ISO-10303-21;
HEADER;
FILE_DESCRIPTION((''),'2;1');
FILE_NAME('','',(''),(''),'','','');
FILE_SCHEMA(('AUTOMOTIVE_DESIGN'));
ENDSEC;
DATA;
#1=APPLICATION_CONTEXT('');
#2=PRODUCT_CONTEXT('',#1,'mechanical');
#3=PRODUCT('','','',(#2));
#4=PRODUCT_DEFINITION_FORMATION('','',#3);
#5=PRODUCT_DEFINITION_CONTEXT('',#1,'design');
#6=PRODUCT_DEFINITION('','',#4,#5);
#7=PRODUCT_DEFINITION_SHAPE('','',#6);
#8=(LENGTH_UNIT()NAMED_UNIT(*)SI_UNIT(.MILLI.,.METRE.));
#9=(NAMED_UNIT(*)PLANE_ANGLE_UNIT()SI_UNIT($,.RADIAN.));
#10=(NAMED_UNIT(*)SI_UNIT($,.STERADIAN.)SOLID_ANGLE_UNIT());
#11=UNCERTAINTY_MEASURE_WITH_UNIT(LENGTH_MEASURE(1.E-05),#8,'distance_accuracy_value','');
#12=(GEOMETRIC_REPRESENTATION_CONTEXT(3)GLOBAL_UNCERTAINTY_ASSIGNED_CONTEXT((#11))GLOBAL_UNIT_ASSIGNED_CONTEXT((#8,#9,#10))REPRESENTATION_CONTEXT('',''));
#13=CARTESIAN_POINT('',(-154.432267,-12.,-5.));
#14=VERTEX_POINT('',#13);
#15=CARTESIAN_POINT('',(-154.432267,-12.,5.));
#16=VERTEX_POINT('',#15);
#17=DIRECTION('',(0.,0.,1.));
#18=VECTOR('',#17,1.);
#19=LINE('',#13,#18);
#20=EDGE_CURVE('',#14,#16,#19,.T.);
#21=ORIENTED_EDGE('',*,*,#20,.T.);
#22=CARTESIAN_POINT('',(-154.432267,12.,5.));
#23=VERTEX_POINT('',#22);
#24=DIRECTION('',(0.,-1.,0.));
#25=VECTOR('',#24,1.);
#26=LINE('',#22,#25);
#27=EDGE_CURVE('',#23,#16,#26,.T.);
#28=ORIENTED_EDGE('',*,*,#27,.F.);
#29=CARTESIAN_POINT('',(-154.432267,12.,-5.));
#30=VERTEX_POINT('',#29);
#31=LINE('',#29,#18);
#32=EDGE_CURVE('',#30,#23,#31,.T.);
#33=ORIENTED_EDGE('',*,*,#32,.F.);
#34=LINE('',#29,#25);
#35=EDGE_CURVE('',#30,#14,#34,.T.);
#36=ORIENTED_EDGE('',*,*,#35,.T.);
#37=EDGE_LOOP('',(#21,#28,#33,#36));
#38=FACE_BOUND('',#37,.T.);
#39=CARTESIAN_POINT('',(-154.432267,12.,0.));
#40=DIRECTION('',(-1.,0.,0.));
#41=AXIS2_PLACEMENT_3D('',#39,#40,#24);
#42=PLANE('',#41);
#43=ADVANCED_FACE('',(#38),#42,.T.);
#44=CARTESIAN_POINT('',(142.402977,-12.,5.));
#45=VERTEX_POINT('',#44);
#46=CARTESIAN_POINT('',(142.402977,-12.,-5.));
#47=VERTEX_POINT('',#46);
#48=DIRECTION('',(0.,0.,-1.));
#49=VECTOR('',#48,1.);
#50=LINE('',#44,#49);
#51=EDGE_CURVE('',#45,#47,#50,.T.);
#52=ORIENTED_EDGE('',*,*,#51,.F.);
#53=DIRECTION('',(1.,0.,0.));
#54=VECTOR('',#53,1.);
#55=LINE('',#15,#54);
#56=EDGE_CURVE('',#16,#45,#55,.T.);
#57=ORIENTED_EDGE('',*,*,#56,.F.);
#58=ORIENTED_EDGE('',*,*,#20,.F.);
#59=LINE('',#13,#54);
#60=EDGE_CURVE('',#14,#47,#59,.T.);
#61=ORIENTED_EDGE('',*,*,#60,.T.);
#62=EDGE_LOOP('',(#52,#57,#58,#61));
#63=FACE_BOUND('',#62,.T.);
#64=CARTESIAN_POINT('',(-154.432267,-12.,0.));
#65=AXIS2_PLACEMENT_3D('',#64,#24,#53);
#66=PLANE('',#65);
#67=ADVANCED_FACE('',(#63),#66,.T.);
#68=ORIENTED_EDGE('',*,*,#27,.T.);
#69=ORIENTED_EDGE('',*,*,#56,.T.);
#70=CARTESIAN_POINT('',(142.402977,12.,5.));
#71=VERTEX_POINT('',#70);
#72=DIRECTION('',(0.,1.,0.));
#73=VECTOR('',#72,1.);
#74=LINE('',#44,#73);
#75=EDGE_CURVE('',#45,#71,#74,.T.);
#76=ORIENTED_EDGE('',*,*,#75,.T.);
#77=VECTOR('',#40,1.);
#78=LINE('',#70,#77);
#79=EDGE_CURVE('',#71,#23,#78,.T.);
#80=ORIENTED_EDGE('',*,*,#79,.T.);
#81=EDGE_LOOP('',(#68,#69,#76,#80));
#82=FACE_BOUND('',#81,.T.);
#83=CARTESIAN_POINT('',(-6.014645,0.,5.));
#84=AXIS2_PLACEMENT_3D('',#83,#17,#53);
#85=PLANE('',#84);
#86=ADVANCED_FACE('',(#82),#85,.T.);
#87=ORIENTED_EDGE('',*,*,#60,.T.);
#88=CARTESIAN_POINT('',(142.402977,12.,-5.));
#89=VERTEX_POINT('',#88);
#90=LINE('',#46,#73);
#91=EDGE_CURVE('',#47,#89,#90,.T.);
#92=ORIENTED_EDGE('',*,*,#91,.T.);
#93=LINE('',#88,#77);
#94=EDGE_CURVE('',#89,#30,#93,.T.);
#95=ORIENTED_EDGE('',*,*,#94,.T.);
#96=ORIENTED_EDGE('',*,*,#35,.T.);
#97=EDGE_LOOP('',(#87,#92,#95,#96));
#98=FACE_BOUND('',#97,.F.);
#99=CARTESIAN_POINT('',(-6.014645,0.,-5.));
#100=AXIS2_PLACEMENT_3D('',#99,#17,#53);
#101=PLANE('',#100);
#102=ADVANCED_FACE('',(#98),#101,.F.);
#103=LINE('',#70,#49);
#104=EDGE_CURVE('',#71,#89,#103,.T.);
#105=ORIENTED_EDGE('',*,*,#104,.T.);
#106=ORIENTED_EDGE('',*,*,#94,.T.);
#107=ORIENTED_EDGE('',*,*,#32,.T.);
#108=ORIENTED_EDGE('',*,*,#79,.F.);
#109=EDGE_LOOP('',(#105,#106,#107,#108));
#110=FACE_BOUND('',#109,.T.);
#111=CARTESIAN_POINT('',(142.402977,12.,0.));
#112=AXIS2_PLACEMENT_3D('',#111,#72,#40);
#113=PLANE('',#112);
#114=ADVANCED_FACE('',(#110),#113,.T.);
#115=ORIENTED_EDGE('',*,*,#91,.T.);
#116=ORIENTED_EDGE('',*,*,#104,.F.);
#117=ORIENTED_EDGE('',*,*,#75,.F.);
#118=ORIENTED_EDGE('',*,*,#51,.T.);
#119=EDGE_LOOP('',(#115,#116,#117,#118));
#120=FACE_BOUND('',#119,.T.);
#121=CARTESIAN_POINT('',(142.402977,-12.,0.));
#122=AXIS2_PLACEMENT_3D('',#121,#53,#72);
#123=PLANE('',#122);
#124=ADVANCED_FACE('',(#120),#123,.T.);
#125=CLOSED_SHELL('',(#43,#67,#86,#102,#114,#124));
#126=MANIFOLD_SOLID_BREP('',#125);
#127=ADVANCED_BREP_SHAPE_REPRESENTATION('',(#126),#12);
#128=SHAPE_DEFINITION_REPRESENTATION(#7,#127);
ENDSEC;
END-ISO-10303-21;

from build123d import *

# Parameters (mm, degrees)
F1_DEPTH      = 5
F1_DEPTH_BACK = 5


with BuildPart() as f1:
    # F0 (on Top) → F1 (new body, two sides)
    with BuildSketch(Plane.XY) as f1_sk:
        Polygon((142.402977, 12), (-154.432267, 12), (-154.432267, -12), (42.583915, -12), (142.402977, -12), align=None)
    extrude(amount=F1_DEPTH)
    extrude(f1_sk.sketch, amount=-F1_DEPTH_BACK)


solid = f1.part
